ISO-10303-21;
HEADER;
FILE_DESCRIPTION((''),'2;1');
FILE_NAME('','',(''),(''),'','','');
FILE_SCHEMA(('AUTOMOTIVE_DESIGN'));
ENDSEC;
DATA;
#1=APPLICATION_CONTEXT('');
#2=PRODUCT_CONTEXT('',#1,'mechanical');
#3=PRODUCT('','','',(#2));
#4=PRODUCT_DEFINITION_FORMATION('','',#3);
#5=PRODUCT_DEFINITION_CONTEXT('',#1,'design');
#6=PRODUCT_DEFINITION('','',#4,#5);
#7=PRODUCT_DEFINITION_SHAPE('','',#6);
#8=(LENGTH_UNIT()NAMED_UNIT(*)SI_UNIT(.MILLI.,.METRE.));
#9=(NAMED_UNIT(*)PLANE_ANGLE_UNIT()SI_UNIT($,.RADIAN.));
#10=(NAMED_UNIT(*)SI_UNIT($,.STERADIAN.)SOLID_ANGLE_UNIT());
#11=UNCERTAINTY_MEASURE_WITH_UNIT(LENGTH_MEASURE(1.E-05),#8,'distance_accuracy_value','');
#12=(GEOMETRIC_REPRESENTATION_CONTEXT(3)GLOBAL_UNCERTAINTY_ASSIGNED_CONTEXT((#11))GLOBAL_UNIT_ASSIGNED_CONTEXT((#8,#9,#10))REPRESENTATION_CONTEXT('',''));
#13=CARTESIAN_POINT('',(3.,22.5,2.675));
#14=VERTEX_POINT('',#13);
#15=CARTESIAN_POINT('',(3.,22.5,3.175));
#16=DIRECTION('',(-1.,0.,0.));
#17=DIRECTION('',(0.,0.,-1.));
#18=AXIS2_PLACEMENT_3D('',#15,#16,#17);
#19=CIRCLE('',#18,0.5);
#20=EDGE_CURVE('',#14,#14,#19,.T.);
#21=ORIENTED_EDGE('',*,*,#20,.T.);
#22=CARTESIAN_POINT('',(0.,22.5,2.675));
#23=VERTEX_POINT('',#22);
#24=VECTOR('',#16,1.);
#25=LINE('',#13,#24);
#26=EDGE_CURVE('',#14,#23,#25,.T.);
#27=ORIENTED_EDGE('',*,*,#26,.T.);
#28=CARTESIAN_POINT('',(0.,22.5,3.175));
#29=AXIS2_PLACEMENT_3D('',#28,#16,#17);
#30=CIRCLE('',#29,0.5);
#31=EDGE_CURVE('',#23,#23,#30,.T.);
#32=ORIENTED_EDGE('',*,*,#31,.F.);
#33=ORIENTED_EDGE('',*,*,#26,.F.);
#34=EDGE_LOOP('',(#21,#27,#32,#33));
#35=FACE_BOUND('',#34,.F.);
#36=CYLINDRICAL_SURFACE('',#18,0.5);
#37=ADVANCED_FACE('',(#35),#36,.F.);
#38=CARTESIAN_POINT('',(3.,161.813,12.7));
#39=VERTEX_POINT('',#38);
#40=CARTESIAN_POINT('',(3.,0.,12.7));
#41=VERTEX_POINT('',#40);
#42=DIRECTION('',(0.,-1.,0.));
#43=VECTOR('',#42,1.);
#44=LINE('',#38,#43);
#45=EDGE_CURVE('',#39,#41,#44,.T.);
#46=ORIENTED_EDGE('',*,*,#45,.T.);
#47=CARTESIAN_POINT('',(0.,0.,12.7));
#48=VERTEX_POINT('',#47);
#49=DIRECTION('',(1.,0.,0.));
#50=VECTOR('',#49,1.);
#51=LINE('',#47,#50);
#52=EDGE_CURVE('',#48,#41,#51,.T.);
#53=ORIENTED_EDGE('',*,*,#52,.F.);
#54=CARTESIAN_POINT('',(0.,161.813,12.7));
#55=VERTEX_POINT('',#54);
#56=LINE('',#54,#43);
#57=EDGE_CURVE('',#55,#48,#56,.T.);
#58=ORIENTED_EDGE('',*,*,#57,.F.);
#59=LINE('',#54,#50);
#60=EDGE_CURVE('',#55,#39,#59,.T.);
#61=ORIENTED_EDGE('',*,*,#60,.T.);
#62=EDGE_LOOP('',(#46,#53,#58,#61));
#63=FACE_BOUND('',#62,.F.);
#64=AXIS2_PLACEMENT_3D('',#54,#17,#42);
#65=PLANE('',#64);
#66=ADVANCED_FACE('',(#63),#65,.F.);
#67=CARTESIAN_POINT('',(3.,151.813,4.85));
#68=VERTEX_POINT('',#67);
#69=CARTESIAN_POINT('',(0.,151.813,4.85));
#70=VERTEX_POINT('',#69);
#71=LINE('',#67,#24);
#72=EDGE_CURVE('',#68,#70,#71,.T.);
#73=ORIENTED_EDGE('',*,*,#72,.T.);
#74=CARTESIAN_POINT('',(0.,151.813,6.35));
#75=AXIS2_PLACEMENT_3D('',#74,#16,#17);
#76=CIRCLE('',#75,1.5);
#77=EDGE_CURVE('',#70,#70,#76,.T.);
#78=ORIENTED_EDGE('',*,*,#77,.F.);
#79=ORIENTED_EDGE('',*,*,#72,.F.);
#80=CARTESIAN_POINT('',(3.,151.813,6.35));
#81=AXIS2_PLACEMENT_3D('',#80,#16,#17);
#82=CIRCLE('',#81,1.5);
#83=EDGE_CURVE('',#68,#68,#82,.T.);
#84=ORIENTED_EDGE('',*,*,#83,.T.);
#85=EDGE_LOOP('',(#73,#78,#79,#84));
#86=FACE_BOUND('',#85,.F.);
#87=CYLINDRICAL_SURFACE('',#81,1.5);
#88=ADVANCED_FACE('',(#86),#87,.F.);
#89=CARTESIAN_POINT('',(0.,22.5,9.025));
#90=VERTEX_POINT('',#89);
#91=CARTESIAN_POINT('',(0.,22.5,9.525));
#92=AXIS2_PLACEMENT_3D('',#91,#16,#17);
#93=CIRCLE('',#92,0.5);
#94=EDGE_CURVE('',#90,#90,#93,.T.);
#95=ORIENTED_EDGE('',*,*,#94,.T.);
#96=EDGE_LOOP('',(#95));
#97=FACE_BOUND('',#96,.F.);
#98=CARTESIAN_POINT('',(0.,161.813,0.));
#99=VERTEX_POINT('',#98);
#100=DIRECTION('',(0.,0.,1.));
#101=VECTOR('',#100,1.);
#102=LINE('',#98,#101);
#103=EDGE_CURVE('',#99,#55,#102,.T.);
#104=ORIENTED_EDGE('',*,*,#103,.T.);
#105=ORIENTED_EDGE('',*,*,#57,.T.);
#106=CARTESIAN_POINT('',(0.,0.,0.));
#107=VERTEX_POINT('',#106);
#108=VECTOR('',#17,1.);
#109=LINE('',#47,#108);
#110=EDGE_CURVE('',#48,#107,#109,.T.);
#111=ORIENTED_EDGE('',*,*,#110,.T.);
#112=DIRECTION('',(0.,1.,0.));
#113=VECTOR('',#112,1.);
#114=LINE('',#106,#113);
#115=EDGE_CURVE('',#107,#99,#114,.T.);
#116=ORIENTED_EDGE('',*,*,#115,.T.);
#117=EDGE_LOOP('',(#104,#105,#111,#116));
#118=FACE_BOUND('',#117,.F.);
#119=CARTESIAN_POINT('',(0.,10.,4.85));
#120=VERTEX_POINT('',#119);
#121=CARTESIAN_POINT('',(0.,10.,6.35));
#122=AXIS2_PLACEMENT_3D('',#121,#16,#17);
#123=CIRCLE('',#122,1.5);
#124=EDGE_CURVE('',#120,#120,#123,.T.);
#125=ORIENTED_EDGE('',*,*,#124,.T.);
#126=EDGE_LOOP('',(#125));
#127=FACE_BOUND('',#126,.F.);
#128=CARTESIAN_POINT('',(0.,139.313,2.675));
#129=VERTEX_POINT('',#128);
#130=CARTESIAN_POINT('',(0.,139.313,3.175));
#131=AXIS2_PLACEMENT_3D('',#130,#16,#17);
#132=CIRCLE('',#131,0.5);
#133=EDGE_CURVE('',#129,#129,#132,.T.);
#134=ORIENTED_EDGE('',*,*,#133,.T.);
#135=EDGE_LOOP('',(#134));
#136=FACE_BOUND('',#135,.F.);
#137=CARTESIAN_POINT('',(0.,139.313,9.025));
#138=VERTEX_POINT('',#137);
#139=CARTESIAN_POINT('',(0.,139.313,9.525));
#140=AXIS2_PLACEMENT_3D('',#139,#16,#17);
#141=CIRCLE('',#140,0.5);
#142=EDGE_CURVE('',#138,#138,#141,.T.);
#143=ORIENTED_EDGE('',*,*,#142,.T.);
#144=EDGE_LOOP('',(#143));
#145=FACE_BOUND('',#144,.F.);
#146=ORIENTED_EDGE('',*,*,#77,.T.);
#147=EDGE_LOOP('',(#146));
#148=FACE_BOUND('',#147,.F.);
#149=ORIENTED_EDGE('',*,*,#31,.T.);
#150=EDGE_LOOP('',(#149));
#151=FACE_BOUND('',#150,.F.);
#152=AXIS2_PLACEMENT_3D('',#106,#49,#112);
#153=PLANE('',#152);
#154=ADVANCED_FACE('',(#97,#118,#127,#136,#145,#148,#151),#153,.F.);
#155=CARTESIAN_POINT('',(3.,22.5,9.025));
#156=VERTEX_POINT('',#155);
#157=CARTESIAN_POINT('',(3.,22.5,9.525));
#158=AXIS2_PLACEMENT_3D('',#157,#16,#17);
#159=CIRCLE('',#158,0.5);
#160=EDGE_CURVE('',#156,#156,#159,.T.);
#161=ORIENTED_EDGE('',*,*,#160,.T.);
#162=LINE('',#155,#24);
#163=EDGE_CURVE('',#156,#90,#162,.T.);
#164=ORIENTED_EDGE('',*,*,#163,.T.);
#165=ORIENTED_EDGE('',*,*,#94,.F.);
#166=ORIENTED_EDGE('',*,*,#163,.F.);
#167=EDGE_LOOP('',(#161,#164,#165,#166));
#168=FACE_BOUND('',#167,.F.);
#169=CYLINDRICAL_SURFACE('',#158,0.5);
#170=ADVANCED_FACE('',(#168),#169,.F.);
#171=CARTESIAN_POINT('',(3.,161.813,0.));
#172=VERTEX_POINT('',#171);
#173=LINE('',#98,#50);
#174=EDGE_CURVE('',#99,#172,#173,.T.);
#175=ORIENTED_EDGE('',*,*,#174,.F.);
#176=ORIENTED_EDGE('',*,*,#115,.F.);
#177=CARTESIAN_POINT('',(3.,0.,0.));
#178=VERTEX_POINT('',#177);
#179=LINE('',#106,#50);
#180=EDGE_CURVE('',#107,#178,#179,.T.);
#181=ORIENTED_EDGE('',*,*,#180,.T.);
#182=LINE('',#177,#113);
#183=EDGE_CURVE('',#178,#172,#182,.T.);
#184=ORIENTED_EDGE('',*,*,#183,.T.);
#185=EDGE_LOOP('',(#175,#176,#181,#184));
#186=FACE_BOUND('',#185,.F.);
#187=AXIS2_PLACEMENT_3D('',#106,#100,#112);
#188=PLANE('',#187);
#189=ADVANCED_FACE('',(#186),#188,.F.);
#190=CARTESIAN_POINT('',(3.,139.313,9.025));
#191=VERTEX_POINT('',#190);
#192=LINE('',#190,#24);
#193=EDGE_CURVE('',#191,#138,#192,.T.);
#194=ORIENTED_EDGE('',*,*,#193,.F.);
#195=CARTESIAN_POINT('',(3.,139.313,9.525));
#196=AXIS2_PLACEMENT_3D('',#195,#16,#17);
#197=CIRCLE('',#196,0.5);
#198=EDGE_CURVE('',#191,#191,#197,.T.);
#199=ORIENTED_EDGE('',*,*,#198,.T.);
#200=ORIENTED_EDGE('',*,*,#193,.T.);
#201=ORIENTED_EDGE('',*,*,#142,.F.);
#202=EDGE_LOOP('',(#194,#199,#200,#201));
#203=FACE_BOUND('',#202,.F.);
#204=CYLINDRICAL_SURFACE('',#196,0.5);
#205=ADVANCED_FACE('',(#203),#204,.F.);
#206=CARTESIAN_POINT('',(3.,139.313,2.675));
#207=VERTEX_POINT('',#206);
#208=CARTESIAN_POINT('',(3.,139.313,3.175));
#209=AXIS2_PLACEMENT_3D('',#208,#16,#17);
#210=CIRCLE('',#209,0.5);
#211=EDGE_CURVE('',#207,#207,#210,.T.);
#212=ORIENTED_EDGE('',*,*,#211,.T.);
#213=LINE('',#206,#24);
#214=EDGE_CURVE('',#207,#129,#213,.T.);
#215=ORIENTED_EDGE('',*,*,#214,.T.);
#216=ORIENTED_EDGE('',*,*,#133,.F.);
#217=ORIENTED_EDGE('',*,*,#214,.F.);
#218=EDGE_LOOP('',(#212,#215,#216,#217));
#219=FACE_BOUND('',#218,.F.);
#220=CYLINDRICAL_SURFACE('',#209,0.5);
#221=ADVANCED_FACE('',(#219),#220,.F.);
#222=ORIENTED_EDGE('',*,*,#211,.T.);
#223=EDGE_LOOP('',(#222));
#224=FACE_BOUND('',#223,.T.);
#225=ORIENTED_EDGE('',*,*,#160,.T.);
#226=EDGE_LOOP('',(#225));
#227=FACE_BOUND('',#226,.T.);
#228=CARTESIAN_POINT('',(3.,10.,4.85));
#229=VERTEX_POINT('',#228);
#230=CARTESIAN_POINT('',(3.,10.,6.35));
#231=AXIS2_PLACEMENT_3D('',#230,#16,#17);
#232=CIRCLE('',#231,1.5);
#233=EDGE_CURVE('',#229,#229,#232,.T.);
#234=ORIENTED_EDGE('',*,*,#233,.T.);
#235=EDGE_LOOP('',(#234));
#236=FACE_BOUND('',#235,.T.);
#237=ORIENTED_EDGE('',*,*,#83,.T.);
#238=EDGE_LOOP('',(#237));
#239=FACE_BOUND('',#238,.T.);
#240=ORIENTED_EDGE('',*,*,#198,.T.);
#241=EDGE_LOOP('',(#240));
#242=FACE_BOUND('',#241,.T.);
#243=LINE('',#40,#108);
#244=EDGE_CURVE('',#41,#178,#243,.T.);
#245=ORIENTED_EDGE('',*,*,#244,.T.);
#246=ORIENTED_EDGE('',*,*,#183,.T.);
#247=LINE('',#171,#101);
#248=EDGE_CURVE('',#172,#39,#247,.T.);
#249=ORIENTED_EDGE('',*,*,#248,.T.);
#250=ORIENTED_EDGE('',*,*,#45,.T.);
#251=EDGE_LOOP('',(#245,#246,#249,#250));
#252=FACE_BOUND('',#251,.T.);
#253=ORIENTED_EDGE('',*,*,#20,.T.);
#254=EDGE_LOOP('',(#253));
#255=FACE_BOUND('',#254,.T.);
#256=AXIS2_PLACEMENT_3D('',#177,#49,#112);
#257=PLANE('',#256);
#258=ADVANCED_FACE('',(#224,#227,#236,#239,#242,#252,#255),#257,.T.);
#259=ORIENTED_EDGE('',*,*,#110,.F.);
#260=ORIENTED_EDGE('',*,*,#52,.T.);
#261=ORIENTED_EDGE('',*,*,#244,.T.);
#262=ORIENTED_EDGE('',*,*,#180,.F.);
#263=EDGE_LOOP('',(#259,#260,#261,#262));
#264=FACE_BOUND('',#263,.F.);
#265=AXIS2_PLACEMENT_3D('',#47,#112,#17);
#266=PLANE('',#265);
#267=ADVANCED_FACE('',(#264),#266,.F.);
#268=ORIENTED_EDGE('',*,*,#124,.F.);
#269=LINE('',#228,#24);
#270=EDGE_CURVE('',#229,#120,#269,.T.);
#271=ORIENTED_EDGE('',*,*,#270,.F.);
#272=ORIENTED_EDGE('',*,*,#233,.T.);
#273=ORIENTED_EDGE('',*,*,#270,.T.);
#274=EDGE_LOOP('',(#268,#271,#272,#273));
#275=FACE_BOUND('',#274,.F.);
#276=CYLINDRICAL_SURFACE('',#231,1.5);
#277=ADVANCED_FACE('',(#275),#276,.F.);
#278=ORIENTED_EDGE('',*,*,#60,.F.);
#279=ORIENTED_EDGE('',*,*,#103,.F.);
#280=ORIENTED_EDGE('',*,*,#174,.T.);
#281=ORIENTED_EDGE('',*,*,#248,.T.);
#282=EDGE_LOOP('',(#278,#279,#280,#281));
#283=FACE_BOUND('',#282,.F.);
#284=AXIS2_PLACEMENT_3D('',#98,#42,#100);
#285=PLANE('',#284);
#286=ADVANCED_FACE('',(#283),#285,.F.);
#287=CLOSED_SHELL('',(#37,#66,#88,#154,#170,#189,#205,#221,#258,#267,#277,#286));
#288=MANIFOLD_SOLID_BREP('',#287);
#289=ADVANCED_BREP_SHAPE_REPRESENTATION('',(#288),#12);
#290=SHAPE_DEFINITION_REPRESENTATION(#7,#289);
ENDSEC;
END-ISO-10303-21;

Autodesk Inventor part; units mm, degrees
ref_plane "YZ Plane" through (0, 0, 0) normal (1, 0, 0) x (0, 1, 0)
ref_plane "XZ Plane" through (0, 0, 0) normal (0, 1, 0) x (-1, 0, 0)
ref_plane "XY Plane" through (0, 0, 0) normal (0, 0, 1) x (1, 0, 0)
sketch "Skizze1" plane through (0, 0, 0) normal (1, 0, 0) x (0, 1, 0)
  line L0 (0, 0) -> (161.813, 0)
  line L1 (161.813, 0) -> (161.813, 12.7)
  line L2 (161.813, 12.7) -> (0, 12.7)
  line L3 (0, 12.7) -> (0, 0)
  dimension "d0" = 161.813
  dimension "d1" = 12.7
extrude "Extrusion1" add sketch "Skizze1" along normal blind 3
sketch "Skizze4" plane through (3, 0, 0) normal (1, 0, 0) x (0, 0, -1)
  line L0 (-12.7, 0) -> (0, 0) projected
  line L1 (-6.35, 0) -> (-6.35, 22.5)
  line L2 (-6.35, 0) -> (16.15, 0) construction
  line L3 (-6.35, 22.5) -> (-9.525, 22.5)
  line L4 (-6.35, 22.5) -> (-3.175, 22.5)
  line L5 (0, 161.813) -> (-12.7, 161.813) projected
  line L6 (-6.35, 161.813) -> (-6.35, 139.313)
  line L7 (-6.35, 139.313) -> (-9.525, 139.313)
  line L8 (-6.35, 139.313) -> (-3.175, 139.313)
  dimension "d16" = 22.5
  dimension "d17" = 90
  dimension "d18" = 3.175
  dimension "d19" = 3.175
  dimension "d20" = 22.5
  dimension "d21" = 3.175
  dimension "d22" = 3.175
hole "Bohrung2" at (3, 22.5, 9.525) at (3, 22.5, 3.175) at (3, 139.313, 9.525) at (3, 139.313, 3.175) direction (-1, 0, 0) diameter 1 end through all
sketch "Skizze5" plane through (3, 0, 0) normal (1, 0, 0) x (0, 0, -1)
  line L0 (-12.7, 0) -> (0, 0) projected
  line L1 (-6.35, 0) -> (-6.35, 10)
  line L2 (0, 161.813) -> (-12.7, 161.813) projected
  line L3 (-6.35, 161.813) -> (-6.35, 151.813)
  dimension "d30" = 10
  dimension "d31" = 10
hole "Bohrung3" at (3, 10, 6.35) at (3, 151.813, 6.35) direction (-1, 0, 0) diameter 3 end through all
properties part number "Platte_Kettenglied_unten"
